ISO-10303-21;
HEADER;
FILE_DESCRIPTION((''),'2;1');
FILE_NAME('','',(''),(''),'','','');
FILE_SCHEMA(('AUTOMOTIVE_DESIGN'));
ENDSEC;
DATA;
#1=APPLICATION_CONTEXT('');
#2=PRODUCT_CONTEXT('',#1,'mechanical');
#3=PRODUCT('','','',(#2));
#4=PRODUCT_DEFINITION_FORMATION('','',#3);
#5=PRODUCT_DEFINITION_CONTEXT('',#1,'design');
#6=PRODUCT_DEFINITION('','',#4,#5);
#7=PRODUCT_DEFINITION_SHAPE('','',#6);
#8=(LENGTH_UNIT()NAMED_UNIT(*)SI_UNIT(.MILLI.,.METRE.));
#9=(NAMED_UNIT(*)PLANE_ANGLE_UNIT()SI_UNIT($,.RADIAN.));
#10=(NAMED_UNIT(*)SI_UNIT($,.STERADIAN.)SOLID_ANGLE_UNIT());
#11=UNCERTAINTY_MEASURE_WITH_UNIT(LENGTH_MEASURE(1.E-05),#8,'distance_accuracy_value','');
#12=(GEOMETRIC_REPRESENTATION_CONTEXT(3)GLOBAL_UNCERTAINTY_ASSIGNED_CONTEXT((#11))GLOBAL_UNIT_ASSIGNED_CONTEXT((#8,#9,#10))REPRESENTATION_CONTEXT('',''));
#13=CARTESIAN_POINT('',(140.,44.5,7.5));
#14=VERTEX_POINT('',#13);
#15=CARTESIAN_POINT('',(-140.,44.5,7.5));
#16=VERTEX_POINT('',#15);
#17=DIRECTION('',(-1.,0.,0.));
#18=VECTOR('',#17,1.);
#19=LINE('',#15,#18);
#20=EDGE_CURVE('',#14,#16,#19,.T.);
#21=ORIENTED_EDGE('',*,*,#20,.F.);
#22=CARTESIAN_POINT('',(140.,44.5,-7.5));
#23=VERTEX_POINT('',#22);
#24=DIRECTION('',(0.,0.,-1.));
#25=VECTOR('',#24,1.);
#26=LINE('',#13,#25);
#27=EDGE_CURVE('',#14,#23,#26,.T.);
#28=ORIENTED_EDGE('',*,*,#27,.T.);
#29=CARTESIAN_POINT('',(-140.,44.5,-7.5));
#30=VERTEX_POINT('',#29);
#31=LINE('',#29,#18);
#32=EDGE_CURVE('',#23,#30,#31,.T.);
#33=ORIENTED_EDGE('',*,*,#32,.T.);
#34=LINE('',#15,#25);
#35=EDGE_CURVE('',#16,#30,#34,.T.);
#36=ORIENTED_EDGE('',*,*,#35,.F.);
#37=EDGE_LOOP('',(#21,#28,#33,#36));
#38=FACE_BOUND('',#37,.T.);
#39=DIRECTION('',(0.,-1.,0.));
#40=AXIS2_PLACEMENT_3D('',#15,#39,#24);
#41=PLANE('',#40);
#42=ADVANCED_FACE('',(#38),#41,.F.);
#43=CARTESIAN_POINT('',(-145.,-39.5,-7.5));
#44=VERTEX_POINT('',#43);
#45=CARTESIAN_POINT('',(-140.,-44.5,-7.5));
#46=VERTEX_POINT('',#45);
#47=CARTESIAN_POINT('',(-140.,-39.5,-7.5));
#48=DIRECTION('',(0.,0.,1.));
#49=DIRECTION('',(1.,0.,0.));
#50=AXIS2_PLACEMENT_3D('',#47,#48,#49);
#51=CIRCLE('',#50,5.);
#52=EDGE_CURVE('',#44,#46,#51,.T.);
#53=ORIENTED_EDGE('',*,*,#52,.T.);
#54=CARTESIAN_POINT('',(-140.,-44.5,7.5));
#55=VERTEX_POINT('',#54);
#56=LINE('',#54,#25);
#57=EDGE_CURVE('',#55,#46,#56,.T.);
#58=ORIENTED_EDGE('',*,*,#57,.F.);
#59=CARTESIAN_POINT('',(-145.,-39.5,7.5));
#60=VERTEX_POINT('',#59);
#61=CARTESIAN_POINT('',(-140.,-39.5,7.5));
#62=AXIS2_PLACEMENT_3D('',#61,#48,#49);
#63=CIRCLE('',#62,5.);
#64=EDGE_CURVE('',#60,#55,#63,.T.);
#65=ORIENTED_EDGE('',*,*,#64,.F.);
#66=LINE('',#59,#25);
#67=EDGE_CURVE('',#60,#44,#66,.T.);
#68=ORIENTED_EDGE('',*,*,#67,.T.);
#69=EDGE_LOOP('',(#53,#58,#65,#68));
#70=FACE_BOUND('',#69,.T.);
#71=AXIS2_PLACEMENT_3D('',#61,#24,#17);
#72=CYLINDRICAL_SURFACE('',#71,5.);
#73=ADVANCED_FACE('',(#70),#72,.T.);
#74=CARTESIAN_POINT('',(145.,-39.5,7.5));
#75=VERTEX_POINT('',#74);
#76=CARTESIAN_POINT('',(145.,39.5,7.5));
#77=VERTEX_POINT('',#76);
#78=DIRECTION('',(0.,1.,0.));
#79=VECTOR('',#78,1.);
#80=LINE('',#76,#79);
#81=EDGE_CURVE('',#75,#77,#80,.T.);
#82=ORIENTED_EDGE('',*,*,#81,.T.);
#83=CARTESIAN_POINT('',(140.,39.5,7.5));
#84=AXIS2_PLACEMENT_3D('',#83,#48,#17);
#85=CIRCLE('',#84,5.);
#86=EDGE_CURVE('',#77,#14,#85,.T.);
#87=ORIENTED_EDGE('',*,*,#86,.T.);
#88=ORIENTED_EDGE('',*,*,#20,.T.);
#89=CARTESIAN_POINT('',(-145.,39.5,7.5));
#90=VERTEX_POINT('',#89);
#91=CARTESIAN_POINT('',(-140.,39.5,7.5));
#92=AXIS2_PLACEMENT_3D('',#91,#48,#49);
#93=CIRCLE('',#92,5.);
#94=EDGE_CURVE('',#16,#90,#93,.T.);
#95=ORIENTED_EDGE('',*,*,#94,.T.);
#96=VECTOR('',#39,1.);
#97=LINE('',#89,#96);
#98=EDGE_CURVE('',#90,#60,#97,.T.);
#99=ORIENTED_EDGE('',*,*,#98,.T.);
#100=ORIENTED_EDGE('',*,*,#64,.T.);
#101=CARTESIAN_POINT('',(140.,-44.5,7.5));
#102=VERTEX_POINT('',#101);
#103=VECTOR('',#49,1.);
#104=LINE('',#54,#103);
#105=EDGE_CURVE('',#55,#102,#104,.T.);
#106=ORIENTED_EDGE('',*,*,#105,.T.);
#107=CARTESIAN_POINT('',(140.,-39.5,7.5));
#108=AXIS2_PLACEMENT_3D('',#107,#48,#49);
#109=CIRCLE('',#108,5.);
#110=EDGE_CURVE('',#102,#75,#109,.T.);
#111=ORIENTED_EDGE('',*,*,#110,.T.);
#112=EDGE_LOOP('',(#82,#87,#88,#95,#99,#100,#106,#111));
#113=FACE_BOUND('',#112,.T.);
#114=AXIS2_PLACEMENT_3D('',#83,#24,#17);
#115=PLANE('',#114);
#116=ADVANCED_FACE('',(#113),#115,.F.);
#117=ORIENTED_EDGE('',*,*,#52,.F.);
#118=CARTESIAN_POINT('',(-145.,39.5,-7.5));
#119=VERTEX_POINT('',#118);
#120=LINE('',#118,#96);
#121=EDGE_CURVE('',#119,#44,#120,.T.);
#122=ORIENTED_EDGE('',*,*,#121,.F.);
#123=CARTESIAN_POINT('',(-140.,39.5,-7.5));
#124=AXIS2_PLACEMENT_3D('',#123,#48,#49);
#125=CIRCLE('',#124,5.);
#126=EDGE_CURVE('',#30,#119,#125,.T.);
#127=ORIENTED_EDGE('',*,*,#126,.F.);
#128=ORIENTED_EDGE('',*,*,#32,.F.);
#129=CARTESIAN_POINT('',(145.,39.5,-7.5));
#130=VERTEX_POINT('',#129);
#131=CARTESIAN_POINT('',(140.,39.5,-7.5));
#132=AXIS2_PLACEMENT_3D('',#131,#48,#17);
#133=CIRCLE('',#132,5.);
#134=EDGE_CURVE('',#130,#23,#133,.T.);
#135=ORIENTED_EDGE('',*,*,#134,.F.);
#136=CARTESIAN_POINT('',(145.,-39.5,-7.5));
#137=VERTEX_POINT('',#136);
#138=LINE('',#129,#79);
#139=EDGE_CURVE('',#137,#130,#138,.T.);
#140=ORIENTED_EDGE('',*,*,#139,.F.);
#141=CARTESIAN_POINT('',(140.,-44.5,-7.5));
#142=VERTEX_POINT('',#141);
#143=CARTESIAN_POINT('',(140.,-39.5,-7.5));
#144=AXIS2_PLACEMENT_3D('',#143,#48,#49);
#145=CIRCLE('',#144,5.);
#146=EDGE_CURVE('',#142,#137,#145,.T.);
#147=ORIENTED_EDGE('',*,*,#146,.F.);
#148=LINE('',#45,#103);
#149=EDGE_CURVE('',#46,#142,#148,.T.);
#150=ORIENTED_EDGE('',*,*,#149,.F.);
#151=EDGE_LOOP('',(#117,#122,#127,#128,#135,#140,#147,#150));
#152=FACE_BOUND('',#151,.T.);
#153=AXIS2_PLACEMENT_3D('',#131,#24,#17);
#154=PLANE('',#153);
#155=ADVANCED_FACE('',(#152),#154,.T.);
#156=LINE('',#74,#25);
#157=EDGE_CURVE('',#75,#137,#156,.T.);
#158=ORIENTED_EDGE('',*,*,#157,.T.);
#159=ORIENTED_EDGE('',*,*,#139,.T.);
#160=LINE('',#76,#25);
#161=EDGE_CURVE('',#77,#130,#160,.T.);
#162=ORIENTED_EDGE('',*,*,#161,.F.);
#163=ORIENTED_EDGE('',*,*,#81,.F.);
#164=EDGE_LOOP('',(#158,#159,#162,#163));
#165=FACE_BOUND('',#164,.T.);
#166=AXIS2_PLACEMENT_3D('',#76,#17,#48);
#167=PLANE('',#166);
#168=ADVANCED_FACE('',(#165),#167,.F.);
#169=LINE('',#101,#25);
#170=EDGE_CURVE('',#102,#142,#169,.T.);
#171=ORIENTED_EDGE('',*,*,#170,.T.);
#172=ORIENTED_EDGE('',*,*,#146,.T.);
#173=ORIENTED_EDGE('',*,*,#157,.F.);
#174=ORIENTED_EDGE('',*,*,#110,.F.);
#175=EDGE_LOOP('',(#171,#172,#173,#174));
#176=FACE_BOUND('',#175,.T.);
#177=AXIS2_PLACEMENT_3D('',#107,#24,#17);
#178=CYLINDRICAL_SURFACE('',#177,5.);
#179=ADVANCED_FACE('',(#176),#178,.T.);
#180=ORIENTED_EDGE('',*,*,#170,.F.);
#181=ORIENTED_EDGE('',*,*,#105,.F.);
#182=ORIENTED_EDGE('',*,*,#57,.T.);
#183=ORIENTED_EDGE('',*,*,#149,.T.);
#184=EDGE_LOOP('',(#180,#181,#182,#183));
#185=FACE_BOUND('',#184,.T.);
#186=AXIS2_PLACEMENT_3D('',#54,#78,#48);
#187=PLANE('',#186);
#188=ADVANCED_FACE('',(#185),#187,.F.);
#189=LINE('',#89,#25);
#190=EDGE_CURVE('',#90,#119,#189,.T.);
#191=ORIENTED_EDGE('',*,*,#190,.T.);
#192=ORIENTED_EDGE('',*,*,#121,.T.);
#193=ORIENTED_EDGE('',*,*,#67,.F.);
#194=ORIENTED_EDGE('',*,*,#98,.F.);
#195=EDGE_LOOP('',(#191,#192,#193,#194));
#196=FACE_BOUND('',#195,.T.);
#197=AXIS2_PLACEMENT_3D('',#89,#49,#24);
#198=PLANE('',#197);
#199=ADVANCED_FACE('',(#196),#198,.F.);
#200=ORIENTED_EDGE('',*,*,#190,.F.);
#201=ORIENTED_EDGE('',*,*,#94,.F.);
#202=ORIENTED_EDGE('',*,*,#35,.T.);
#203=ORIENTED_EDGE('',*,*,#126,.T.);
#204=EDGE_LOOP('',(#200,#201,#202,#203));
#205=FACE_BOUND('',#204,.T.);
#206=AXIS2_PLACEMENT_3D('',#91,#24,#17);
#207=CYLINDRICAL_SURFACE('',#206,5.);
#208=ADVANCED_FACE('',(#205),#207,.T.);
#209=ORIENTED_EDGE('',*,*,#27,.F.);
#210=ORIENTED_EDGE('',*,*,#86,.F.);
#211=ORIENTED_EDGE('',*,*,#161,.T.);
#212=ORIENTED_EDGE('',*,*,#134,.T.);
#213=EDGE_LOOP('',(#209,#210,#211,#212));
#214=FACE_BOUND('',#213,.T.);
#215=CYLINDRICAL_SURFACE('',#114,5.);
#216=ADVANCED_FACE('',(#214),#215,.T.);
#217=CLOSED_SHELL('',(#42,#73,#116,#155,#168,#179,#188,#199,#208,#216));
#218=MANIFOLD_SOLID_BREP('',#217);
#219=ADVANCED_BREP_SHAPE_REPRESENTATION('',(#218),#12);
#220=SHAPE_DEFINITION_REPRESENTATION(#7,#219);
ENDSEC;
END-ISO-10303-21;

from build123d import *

# Parameters (mm, degrees)
BOSS_EXTRUDE1_DEPTH = 7.5


with BuildPart() as part:
    # Sketch1 → Boss-Extrude1 (new, symmetric)
    with BuildSketch(Plane.XY):
        with BuildLine():
            Line((-140, 44.5), (140, 44.5))
            ThreePointArc((140, 44.5), (143.535533906, 43.035533906), (145, 39.5))
            Line((145, 39.5), (145, -39.5))
            ThreePointArc((145, -39.5), (143.535533906, -43.035533906), (140, -44.5))
            Line((140, -44.5), (-140, -44.5))
            ThreePointArc((-140, -44.5), (-143.535533906, -43.035533906), (-145, -39.5))
            Line((-145, -39.5), (-145, 39.5))
            ThreePointArc((-145, 39.5), (-143.535533906, 43.035533906), (-140, 44.5))
        make_face()
    extrude(amount=BOSS_EXTRUDE1_DEPTH, both=True)


solid = part.part
